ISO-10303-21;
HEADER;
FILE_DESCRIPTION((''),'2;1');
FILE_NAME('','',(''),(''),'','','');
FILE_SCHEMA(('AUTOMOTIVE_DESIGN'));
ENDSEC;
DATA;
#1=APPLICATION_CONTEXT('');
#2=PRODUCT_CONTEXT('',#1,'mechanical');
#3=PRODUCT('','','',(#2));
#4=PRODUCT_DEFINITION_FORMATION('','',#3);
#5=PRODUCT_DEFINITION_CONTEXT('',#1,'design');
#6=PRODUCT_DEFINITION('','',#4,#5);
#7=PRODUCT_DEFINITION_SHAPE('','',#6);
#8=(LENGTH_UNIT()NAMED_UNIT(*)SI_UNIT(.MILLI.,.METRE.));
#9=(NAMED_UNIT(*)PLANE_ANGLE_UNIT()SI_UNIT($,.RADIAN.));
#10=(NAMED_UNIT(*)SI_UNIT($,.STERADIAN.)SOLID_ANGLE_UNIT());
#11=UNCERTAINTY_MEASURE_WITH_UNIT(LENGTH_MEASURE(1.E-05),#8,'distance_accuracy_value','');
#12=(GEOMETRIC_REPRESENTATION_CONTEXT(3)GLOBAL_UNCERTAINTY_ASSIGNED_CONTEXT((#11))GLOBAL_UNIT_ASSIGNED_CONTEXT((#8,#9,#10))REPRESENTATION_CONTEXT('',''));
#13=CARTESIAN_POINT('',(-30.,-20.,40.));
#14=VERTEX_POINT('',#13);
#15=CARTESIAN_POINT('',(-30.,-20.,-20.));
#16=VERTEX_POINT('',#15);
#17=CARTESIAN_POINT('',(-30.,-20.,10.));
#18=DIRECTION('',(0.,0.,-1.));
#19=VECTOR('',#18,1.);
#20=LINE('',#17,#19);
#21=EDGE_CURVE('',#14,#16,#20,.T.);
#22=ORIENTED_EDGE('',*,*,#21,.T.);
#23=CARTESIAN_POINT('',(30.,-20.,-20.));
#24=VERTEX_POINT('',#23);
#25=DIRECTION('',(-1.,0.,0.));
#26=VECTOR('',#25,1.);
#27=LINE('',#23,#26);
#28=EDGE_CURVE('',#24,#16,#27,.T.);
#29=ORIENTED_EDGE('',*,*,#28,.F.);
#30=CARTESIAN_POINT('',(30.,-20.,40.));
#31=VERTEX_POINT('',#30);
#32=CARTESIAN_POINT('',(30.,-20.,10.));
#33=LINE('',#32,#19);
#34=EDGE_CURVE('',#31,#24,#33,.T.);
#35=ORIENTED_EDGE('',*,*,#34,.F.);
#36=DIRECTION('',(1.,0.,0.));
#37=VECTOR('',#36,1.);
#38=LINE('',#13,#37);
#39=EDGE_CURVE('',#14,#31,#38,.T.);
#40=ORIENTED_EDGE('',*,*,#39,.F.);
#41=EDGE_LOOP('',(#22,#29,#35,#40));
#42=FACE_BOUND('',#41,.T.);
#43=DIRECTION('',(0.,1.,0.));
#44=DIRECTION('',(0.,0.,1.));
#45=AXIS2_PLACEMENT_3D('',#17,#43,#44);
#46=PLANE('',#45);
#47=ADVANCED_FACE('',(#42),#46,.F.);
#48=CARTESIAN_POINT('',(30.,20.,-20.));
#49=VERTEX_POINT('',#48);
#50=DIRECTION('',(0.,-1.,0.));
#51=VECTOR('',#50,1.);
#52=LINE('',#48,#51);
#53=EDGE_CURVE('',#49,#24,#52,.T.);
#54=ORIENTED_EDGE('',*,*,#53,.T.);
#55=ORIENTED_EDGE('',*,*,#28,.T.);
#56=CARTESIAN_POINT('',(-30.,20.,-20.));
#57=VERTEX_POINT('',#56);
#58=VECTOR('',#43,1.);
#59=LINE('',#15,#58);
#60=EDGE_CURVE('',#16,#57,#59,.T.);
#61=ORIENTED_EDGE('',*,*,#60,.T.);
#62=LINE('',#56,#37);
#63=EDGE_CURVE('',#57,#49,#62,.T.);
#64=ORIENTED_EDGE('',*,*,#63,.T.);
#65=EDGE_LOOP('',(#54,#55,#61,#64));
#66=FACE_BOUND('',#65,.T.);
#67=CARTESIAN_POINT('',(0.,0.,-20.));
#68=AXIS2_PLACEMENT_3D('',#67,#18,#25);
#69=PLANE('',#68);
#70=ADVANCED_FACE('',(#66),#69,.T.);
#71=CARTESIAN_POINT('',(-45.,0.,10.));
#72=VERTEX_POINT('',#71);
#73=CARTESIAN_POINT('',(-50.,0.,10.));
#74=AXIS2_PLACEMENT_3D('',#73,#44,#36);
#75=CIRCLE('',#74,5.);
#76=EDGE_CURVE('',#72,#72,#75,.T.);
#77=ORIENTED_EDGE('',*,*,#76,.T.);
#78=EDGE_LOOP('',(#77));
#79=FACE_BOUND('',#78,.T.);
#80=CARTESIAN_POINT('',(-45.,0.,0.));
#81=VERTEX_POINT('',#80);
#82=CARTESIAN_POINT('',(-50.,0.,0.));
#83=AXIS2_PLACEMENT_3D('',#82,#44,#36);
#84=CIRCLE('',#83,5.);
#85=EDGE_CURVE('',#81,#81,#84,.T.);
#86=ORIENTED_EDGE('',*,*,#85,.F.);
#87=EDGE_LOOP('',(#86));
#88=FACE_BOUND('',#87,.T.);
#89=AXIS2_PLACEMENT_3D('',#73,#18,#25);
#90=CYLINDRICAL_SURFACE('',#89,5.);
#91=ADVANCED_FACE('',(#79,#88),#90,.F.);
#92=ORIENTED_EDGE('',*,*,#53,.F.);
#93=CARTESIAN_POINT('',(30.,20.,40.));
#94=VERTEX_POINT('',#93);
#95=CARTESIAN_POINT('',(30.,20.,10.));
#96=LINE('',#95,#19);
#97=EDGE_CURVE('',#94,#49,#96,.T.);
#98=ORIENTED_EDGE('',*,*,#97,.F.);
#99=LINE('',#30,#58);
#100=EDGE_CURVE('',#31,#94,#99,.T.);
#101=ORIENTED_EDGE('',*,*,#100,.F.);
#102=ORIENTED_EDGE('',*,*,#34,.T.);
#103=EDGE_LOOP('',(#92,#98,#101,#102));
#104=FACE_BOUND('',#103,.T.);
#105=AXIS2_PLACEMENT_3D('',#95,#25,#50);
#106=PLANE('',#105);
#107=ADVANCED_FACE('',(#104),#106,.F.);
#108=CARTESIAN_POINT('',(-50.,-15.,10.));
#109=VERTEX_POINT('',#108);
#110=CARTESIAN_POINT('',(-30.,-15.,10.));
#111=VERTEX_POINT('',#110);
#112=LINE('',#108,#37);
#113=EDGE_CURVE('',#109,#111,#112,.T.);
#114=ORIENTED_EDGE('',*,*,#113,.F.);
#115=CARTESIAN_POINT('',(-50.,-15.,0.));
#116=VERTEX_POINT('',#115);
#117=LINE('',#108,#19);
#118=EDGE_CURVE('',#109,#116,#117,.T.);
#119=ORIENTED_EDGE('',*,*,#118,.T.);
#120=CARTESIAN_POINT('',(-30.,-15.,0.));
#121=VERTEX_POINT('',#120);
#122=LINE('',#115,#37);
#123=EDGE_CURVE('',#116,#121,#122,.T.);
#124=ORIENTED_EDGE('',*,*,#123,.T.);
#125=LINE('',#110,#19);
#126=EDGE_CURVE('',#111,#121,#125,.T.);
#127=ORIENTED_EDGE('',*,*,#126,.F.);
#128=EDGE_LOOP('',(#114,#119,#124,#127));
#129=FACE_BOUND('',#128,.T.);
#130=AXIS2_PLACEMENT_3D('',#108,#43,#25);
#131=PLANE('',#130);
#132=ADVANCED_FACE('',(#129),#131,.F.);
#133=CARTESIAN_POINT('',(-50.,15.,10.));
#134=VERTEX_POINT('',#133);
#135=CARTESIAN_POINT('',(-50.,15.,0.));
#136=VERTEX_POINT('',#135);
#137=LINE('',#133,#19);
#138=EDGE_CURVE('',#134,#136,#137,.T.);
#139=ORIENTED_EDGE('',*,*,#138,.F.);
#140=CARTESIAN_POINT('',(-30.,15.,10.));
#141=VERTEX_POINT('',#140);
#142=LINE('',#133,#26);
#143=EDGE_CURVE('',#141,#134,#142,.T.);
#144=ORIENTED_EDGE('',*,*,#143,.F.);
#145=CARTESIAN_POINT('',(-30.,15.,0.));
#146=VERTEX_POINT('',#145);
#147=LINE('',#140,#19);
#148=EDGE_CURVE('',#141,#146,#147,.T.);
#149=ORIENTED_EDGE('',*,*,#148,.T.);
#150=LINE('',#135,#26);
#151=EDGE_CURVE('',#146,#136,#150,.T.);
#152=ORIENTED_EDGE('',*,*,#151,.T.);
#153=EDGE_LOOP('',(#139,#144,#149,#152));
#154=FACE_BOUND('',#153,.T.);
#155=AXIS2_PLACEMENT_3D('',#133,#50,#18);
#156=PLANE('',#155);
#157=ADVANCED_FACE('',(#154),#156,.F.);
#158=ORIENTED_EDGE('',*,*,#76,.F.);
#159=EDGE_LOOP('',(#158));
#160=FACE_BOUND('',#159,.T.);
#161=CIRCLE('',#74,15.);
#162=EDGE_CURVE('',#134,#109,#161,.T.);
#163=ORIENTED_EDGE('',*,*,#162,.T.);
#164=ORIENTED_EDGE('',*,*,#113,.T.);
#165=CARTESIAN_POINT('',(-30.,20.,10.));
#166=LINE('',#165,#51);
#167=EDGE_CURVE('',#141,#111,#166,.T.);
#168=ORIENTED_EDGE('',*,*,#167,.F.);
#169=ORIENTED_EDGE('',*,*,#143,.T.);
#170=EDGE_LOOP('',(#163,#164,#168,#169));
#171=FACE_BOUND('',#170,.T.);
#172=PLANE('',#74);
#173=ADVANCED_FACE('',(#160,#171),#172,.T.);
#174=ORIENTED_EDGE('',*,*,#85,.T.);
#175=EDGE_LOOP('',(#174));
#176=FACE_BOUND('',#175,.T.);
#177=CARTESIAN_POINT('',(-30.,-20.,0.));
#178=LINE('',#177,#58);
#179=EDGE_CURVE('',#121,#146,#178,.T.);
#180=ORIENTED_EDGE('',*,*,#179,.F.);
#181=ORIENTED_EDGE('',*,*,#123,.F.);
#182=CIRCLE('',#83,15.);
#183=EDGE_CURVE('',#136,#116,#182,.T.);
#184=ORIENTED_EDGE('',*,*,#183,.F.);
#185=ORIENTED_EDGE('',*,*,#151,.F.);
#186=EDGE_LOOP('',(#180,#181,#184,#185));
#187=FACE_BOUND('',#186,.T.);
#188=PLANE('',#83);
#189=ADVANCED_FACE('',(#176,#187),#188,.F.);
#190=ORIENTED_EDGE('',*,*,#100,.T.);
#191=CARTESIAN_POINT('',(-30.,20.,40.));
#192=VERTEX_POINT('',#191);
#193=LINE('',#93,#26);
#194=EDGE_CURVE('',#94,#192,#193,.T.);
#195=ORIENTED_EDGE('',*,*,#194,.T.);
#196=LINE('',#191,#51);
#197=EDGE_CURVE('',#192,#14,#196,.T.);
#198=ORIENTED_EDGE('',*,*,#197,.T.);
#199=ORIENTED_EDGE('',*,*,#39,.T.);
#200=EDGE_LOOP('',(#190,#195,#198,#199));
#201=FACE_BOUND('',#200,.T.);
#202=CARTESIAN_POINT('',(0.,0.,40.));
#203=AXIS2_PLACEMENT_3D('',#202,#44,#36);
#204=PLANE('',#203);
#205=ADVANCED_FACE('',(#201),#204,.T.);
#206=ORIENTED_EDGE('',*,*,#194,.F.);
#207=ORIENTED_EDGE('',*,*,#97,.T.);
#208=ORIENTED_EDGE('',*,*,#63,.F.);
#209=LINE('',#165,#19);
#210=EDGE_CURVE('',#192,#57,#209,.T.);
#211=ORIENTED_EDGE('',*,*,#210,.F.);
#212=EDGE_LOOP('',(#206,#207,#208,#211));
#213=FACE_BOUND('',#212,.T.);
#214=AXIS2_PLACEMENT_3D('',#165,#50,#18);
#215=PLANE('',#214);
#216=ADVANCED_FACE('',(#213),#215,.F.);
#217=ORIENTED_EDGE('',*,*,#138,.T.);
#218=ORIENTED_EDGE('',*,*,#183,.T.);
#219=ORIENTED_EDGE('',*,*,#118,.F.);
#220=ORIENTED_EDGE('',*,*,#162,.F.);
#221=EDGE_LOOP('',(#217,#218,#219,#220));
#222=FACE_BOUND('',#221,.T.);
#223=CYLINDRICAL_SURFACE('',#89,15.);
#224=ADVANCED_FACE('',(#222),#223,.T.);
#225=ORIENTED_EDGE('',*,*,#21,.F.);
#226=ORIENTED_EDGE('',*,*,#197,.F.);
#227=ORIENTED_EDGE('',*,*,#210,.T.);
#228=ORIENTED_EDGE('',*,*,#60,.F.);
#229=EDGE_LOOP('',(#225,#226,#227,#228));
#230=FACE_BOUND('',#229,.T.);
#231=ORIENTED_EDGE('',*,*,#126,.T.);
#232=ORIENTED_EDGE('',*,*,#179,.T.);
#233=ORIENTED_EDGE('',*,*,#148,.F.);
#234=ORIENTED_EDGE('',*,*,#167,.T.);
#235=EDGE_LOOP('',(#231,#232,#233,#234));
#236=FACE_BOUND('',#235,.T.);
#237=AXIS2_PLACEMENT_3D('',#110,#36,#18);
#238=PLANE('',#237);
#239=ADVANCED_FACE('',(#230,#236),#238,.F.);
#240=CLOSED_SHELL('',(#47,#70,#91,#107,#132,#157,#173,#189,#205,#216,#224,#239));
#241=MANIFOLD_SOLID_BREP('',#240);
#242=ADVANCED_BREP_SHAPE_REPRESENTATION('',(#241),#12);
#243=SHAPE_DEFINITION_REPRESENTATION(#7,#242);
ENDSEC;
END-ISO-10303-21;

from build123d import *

# Parameters (mm, degrees)
SKETCH1_R           = 5
BOSS_EXTRUDE1_DEPTH = 10
SKETCH2_W           = 60
SKETCH2_H           = 40
BOSS_EXTRUDE2_DEPTH = 30
SKETCH3_W           = 60
SKETCH3_H           = 40
BOSS_EXTRUDE3_DEPTH = 20


with BuildPart() as part:
    # Sketch1 → Boss-Extrude1 (new body)
    with BuildSketch(Plane.XY):
        with BuildLine():
            Line((-30, -15), (-30, -20))
            Line((-30, -20), (30, -20))
            Line((30, -20), (30, 20))
            Line((30, 20), (-30, 20))
            Line((-30, 20), (-30, 15))
            Line((-30, 15), (-50, 15))
            ThreePointArc((-50, 15), (-65, 0), (-50, -15))
            Line((-50, -15), (-30, -15))
        make_face()
        with Locations((-50, 0)):
            Circle(SKETCH1_R, mode=Mode.SUBTRACT)
    extrude(amount=BOSS_EXTRUDE1_DEPTH)

    # Sketch2 → Boss-Extrude2 (add)
    with BuildSketch(Plane.XY.offset(10)):
        Rectangle(SKETCH2_W, SKETCH2_H)
    extrude(amount=BOSS_EXTRUDE2_DEPTH)

    # Sketch3 → Boss-Extrude3 (add)
    with BuildSketch(Plane(origin=(0, 0, 0), x_dir=(-1, 0, 0), z_dir=(0, 0, -1))):
        Rectangle(SKETCH3_W, SKETCH3_H)
    extrude(amount=BOSS_EXTRUDE3_DEPTH)


solid = part.part
